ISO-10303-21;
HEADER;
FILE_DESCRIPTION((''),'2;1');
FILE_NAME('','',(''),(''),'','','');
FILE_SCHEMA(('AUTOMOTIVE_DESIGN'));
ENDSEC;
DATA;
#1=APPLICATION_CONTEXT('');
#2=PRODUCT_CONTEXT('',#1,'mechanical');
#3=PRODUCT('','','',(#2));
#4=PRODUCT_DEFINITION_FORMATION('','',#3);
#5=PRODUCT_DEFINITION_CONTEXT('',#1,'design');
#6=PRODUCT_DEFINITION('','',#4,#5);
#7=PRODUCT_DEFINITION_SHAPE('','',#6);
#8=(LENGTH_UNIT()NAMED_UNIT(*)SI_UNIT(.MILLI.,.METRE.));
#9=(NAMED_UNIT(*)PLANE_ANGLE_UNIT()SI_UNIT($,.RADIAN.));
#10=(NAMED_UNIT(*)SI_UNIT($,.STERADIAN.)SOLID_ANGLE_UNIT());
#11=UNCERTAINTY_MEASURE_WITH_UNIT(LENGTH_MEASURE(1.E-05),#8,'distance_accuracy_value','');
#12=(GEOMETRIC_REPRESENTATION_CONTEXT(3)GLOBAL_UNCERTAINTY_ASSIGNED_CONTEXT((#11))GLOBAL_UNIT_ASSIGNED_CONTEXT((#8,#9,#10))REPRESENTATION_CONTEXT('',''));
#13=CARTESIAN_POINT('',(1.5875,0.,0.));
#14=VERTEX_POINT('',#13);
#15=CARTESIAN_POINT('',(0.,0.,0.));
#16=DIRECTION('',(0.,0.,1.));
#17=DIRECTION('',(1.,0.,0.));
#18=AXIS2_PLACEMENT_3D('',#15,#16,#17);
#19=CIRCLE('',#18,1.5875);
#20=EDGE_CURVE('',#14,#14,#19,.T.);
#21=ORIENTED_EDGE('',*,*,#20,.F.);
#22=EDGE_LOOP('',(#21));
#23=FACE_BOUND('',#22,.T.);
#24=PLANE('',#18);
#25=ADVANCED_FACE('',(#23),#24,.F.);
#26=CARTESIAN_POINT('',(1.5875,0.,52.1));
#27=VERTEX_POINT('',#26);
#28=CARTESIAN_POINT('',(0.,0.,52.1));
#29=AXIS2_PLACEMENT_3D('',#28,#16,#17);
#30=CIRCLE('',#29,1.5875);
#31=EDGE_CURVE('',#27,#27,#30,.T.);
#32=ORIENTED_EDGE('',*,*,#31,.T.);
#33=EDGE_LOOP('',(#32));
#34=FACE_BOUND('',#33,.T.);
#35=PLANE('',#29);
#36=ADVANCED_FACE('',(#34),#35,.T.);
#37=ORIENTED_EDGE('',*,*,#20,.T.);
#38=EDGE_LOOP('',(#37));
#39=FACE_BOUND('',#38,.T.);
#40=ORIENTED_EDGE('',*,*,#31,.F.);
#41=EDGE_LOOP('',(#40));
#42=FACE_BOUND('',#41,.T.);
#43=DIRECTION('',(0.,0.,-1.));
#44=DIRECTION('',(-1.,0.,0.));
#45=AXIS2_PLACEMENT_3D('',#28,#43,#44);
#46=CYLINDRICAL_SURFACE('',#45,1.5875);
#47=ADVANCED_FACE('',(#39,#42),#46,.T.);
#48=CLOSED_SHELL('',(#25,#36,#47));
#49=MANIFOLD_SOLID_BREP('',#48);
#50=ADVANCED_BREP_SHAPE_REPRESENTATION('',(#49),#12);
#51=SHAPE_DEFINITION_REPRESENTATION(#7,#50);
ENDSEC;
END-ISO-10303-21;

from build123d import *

# Parameters (mm, degrees)
SKETCH1_R           = 1.5875
BOSS_EXTRUDE1_DEPTH = 52.1


with BuildPart() as part:
    # Sketch1 → Boss-Extrude1 (new body)
    with BuildSketch(Plane.XY):
        Circle(SKETCH1_R)
    extrude(amount=BOSS_EXTRUDE1_DEPTH)


solid = part.part
